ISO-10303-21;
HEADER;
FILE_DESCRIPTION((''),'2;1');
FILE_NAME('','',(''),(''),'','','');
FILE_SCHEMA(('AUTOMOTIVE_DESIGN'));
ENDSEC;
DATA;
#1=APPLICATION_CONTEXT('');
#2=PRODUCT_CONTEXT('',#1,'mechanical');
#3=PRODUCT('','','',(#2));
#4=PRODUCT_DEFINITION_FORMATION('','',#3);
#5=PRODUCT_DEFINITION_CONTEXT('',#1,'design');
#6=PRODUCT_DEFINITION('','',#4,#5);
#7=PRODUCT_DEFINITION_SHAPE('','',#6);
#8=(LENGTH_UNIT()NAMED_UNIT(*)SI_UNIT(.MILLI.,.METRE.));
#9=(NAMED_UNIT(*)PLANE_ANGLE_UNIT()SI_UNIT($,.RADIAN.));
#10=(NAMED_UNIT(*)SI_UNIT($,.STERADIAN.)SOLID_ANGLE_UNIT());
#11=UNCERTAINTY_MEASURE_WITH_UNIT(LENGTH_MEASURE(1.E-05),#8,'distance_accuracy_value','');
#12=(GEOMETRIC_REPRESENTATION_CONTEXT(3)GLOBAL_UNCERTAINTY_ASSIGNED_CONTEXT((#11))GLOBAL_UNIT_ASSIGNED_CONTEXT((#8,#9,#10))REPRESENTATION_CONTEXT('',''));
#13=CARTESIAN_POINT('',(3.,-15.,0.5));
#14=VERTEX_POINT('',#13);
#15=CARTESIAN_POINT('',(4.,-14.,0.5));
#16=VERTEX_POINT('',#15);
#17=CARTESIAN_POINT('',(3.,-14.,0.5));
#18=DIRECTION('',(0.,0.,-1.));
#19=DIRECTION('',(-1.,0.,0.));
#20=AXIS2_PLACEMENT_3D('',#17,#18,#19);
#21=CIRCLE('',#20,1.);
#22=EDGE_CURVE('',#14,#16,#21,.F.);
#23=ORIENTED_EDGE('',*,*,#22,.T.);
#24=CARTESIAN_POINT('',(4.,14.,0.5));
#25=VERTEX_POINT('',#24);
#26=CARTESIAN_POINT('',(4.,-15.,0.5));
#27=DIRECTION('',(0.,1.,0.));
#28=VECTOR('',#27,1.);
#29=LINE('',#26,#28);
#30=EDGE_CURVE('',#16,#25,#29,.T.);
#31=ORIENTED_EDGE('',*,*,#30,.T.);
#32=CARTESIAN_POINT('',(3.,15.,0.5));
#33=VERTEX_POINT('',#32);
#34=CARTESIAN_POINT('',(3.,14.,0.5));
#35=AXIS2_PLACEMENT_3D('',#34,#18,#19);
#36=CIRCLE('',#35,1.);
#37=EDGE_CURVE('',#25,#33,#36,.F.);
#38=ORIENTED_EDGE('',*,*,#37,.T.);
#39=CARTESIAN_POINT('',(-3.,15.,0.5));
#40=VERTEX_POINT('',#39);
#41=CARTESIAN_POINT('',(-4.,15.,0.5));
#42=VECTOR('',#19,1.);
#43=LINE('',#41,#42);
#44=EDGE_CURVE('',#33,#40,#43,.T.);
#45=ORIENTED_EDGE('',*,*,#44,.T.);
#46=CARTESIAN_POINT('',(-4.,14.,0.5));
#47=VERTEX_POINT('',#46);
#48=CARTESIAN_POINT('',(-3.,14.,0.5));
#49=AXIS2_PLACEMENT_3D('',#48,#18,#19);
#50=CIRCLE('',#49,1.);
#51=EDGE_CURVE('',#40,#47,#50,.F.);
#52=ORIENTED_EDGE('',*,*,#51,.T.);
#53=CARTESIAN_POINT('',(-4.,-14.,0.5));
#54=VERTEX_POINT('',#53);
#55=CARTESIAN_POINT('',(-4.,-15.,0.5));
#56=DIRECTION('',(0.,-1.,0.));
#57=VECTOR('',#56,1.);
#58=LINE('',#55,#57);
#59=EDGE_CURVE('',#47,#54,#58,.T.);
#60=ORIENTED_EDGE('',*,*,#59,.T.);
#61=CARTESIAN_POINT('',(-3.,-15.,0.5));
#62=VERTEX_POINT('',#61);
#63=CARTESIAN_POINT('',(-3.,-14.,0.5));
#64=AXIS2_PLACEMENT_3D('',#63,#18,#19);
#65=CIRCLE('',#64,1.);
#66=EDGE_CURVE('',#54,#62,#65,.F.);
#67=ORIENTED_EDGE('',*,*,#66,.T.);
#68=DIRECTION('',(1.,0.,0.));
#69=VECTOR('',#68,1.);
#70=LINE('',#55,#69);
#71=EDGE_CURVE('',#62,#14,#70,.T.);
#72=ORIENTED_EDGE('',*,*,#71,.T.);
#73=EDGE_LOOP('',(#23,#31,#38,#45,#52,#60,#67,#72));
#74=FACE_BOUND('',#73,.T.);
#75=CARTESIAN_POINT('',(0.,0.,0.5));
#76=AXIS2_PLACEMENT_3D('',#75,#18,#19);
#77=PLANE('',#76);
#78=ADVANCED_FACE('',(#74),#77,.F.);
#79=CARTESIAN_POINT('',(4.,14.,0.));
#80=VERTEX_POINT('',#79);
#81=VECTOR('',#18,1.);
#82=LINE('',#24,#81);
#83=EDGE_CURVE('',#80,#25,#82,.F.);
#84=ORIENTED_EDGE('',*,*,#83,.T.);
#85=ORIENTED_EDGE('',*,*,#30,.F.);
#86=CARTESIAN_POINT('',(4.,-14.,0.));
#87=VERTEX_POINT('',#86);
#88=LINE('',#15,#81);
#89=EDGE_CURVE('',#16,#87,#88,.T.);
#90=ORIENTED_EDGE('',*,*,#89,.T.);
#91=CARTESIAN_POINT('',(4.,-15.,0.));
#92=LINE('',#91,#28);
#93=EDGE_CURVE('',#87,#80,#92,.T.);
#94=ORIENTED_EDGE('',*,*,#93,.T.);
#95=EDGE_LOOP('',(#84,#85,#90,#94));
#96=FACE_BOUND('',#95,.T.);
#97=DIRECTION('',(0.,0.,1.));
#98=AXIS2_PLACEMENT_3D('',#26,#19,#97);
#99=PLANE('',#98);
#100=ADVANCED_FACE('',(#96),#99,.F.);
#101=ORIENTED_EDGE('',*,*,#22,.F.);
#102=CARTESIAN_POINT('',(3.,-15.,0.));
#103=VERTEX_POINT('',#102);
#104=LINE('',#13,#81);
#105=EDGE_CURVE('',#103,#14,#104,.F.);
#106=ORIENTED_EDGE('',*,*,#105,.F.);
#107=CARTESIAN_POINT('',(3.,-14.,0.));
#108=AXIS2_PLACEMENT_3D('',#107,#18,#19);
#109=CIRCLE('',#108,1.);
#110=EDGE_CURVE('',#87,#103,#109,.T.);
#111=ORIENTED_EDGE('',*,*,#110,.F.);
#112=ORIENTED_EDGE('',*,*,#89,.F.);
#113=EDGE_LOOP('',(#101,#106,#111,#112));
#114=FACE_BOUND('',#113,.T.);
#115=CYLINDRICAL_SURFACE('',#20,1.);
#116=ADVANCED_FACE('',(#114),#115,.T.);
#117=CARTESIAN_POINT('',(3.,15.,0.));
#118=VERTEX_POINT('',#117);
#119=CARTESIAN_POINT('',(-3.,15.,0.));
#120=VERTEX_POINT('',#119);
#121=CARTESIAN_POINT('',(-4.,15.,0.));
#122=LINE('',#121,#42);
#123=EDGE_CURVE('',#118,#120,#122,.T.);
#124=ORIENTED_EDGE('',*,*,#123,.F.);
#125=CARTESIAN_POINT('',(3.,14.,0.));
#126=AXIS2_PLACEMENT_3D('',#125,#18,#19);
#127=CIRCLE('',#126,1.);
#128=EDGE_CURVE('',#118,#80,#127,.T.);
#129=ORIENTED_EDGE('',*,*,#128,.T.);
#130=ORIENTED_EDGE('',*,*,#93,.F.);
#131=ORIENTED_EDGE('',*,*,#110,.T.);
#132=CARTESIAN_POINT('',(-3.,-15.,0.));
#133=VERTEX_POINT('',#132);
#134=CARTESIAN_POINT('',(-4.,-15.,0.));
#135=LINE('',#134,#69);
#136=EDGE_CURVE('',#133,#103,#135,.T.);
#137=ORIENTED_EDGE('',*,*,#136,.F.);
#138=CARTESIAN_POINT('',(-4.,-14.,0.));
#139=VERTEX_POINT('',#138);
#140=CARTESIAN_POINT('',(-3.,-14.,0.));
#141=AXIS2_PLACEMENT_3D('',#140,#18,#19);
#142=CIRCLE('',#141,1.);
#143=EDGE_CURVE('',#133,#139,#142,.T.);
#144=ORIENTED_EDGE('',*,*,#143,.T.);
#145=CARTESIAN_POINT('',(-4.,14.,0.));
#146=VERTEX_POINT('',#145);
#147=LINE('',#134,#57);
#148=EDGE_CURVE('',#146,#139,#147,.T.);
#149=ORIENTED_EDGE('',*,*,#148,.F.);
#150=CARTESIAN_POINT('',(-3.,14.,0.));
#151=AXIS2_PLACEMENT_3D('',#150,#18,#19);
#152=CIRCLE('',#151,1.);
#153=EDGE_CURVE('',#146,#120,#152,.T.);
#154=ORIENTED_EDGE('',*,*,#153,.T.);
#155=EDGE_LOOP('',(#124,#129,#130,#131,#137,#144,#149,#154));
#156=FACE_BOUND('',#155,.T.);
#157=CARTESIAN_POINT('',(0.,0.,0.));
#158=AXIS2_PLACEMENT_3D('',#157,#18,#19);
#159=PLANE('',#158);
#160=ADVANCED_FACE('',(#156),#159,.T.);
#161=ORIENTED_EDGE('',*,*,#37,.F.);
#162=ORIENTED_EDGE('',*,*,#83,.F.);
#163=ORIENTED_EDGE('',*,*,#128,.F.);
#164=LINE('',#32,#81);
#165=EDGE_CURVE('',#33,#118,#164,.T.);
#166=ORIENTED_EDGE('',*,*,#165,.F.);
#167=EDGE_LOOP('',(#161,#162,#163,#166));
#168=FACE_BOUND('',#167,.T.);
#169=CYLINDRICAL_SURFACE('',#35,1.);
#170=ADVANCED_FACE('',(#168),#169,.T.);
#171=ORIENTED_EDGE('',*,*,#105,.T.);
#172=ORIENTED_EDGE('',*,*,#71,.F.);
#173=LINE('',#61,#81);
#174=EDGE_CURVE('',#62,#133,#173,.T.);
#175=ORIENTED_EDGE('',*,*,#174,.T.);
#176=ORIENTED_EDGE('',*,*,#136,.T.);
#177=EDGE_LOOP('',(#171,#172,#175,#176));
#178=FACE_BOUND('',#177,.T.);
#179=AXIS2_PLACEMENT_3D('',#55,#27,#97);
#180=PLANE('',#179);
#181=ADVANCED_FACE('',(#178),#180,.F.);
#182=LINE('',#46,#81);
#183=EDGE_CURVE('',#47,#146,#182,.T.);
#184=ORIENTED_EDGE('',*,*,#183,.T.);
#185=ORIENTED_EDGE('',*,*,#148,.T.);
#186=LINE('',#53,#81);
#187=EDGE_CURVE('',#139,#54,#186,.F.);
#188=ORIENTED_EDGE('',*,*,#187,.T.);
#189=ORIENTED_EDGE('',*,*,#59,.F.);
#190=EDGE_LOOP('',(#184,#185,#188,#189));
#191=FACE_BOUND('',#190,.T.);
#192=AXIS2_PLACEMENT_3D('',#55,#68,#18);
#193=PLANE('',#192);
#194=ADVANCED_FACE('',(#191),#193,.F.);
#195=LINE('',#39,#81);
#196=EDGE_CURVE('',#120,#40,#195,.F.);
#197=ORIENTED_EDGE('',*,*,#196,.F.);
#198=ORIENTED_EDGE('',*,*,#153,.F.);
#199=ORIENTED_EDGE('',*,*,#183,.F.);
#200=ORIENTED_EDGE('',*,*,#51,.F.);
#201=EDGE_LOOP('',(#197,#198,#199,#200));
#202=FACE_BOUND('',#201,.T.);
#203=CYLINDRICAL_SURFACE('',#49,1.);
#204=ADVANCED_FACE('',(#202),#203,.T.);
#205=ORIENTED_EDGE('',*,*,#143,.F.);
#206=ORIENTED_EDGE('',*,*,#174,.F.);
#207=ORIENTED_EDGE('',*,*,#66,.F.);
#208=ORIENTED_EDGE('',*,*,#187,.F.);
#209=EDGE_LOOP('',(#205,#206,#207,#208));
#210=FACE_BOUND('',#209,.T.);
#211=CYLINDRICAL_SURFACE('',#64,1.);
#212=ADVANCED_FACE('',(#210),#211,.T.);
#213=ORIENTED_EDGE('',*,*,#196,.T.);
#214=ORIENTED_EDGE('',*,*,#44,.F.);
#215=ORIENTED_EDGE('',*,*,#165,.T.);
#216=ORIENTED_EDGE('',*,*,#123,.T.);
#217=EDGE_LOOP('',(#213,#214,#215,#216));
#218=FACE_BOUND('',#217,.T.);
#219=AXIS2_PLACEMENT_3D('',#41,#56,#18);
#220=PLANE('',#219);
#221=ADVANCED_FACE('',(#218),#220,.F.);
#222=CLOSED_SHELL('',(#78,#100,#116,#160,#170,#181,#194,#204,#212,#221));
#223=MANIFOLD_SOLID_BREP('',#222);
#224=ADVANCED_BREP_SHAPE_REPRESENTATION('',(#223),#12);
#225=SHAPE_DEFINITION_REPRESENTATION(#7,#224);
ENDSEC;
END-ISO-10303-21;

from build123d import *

# Parameters (mm, degrees)
SKETCH1_W           = 8
SKETCH1_H           = 30
BOSS_EXTRUDE1_DEPTH = 0.5
FILLET1_R           = 1


with BuildPart() as part:
    # Sketch1 → Boss-Extrude1 (new body)
    with BuildSketch(Plane.XY):
        Rectangle(SKETCH1_W, SKETCH1_H)
    extrude(amount=BOSS_EXTRUDE1_DEPTH)

    # Fillet1
    fillet1_edges = [part.edges().sort_by_distance(p)[0] for p in [
        (4, -15, 0.25),
        (-4, -15, 0.25),
        (-4, 15, 0.25),
        (4, 15, 0.25),
    ]]
    fillet(fillet1_edges, radius=FILLET1_R)


solid = part.part
